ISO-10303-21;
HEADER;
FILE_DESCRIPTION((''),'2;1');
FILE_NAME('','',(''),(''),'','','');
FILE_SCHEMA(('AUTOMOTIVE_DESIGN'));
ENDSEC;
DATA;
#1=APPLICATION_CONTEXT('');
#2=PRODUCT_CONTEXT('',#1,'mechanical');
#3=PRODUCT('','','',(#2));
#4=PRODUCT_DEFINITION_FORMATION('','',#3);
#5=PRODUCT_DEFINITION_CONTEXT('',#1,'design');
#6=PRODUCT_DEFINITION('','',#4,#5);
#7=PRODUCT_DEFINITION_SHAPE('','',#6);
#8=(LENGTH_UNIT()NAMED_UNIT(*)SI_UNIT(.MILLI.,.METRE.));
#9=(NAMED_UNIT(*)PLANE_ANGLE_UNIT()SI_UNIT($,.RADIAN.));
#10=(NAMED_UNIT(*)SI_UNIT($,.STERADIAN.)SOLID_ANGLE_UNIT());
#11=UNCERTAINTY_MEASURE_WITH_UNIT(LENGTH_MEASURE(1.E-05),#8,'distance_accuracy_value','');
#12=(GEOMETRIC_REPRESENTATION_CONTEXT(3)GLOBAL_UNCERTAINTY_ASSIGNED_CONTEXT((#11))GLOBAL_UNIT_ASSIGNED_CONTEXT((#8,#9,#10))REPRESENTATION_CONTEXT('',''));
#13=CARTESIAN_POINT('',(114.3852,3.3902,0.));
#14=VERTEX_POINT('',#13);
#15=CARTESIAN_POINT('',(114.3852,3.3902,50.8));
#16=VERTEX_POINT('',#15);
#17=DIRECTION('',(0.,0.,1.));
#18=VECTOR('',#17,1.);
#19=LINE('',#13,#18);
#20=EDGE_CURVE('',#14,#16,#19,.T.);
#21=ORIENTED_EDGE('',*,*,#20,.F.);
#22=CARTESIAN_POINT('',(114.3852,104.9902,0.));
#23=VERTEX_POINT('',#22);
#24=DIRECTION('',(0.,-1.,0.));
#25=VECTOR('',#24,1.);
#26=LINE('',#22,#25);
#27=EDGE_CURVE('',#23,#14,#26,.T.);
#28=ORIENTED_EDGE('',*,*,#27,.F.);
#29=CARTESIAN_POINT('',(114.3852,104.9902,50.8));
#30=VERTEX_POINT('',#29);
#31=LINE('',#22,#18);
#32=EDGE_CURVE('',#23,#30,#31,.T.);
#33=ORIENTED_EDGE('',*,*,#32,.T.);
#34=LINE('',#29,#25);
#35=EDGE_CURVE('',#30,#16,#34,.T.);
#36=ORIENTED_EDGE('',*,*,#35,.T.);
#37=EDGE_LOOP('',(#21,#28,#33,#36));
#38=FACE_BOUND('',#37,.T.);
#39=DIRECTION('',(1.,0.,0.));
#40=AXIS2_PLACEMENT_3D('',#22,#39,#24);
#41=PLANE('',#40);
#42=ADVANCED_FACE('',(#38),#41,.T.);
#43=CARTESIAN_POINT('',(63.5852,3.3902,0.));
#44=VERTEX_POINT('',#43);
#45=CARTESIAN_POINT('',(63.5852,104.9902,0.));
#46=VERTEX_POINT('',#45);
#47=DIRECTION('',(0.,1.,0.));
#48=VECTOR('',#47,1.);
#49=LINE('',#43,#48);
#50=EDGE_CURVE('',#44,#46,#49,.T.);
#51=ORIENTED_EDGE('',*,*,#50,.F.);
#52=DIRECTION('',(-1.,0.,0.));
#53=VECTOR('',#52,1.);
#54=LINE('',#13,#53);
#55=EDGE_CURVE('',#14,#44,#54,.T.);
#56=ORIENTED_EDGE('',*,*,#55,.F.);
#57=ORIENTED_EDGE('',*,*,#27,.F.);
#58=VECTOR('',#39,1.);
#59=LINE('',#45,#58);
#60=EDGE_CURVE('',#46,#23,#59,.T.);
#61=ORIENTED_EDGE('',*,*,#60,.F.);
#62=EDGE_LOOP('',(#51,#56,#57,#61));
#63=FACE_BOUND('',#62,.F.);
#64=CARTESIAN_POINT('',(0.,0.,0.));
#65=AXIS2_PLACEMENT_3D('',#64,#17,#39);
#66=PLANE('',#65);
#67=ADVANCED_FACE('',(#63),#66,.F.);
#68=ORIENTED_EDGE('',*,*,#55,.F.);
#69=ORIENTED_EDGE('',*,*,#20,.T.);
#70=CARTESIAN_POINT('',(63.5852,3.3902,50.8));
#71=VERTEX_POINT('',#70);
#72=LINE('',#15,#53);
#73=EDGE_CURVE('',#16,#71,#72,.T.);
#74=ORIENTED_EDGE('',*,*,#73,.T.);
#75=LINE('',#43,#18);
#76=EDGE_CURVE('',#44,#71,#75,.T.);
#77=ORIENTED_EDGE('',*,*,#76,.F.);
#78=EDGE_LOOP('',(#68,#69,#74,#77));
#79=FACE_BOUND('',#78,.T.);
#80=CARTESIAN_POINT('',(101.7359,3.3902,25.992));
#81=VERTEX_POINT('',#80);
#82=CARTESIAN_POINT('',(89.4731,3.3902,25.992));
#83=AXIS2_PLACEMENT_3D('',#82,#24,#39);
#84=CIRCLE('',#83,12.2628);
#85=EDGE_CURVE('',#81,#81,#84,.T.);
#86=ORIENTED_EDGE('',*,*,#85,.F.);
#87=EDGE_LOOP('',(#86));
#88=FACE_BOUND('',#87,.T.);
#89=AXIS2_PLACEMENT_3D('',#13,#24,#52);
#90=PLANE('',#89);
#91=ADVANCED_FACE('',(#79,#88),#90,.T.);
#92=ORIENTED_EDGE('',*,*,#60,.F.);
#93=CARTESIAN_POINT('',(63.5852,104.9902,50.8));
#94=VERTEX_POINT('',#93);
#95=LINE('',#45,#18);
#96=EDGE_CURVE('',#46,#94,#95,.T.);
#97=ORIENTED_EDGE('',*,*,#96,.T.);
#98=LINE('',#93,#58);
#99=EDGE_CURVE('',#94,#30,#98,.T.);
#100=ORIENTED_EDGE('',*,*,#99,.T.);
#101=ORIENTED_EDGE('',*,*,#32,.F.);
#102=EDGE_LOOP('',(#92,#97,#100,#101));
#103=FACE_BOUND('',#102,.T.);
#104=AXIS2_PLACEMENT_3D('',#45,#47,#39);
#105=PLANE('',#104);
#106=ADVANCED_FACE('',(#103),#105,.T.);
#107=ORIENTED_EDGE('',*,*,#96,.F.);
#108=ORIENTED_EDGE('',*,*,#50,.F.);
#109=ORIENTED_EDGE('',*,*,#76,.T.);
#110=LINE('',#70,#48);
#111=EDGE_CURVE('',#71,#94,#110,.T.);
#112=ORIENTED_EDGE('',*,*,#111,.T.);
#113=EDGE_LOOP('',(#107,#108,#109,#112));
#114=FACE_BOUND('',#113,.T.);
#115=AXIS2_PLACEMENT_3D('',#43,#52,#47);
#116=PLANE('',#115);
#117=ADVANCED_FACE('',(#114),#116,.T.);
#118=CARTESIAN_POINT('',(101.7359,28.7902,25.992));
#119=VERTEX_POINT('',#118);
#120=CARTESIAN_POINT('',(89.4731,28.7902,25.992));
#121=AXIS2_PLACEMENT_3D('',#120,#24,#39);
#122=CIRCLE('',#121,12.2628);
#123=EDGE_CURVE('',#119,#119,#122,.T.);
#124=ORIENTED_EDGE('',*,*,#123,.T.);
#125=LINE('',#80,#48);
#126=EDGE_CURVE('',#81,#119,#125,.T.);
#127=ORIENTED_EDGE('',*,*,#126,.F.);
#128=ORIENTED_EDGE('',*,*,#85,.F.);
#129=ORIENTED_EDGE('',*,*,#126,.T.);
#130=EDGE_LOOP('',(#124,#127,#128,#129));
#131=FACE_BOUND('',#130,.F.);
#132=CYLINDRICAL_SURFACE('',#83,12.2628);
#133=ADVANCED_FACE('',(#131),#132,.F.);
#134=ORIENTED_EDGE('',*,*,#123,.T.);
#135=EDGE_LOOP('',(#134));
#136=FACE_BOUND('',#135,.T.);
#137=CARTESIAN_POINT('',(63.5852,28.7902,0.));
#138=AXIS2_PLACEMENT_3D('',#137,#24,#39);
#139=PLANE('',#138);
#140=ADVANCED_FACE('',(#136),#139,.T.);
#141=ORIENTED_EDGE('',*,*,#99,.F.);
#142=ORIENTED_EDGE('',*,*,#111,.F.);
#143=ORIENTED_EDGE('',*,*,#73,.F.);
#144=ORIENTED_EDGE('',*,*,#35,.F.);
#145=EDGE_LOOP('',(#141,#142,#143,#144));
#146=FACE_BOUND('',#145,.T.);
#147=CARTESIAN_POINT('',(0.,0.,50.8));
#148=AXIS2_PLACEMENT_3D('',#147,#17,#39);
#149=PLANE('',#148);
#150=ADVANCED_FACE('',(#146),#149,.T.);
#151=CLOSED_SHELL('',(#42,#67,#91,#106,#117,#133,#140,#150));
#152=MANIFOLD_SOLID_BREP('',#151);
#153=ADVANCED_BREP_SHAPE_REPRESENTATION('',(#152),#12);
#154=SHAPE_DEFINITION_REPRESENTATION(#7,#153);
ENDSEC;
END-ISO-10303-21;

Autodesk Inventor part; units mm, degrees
ref_plane "YZ Plane" through (0, 0, 0) normal (1, 0, 0) x (0, 1, 0)
ref_plane "XZ Plane" through (0, 0, 0) normal (0, 1, 0) x (-1, 0, 0)
ref_plane "XY Plane" through (0, 0, 0) normal (0, 0, 1) x (1, 0, 0)
sketch "Sketch1" plane through (0, 0, 0) normal (0, 0, 1) x (1, 0, 0)
  line L0 (63.5852, 104.9902) -> (114.3852, 104.9902)
  line L1 (114.3852, 104.9902) -> (114.3852, 3.3902)
  line L2 (114.3852, 3.3902) -> (63.5852, 3.3902)
  line L3 (63.5852, 3.3902) -> (63.5852, 104.9902)
  point P0 (0, 0)
  dimension "d0" = 50.8
  dimension "d1" = 101.6
extrude "Extrusion1" add sketch "Sketch1" along normal blind 50.8
sketch "Sketch2" plane through (63.5852, 3.3902, 0) normal (0, -1, 0) x (1, 0, 0)
  circle A0 centre (25.8879, 25.992) radius 12.2628
  point P0 (-63.5852, 0)
extrude "Extrusion2" cut sketch "Sketch2" against normal blind 25.4
properties part number "laser" material "Iron, Cast"
